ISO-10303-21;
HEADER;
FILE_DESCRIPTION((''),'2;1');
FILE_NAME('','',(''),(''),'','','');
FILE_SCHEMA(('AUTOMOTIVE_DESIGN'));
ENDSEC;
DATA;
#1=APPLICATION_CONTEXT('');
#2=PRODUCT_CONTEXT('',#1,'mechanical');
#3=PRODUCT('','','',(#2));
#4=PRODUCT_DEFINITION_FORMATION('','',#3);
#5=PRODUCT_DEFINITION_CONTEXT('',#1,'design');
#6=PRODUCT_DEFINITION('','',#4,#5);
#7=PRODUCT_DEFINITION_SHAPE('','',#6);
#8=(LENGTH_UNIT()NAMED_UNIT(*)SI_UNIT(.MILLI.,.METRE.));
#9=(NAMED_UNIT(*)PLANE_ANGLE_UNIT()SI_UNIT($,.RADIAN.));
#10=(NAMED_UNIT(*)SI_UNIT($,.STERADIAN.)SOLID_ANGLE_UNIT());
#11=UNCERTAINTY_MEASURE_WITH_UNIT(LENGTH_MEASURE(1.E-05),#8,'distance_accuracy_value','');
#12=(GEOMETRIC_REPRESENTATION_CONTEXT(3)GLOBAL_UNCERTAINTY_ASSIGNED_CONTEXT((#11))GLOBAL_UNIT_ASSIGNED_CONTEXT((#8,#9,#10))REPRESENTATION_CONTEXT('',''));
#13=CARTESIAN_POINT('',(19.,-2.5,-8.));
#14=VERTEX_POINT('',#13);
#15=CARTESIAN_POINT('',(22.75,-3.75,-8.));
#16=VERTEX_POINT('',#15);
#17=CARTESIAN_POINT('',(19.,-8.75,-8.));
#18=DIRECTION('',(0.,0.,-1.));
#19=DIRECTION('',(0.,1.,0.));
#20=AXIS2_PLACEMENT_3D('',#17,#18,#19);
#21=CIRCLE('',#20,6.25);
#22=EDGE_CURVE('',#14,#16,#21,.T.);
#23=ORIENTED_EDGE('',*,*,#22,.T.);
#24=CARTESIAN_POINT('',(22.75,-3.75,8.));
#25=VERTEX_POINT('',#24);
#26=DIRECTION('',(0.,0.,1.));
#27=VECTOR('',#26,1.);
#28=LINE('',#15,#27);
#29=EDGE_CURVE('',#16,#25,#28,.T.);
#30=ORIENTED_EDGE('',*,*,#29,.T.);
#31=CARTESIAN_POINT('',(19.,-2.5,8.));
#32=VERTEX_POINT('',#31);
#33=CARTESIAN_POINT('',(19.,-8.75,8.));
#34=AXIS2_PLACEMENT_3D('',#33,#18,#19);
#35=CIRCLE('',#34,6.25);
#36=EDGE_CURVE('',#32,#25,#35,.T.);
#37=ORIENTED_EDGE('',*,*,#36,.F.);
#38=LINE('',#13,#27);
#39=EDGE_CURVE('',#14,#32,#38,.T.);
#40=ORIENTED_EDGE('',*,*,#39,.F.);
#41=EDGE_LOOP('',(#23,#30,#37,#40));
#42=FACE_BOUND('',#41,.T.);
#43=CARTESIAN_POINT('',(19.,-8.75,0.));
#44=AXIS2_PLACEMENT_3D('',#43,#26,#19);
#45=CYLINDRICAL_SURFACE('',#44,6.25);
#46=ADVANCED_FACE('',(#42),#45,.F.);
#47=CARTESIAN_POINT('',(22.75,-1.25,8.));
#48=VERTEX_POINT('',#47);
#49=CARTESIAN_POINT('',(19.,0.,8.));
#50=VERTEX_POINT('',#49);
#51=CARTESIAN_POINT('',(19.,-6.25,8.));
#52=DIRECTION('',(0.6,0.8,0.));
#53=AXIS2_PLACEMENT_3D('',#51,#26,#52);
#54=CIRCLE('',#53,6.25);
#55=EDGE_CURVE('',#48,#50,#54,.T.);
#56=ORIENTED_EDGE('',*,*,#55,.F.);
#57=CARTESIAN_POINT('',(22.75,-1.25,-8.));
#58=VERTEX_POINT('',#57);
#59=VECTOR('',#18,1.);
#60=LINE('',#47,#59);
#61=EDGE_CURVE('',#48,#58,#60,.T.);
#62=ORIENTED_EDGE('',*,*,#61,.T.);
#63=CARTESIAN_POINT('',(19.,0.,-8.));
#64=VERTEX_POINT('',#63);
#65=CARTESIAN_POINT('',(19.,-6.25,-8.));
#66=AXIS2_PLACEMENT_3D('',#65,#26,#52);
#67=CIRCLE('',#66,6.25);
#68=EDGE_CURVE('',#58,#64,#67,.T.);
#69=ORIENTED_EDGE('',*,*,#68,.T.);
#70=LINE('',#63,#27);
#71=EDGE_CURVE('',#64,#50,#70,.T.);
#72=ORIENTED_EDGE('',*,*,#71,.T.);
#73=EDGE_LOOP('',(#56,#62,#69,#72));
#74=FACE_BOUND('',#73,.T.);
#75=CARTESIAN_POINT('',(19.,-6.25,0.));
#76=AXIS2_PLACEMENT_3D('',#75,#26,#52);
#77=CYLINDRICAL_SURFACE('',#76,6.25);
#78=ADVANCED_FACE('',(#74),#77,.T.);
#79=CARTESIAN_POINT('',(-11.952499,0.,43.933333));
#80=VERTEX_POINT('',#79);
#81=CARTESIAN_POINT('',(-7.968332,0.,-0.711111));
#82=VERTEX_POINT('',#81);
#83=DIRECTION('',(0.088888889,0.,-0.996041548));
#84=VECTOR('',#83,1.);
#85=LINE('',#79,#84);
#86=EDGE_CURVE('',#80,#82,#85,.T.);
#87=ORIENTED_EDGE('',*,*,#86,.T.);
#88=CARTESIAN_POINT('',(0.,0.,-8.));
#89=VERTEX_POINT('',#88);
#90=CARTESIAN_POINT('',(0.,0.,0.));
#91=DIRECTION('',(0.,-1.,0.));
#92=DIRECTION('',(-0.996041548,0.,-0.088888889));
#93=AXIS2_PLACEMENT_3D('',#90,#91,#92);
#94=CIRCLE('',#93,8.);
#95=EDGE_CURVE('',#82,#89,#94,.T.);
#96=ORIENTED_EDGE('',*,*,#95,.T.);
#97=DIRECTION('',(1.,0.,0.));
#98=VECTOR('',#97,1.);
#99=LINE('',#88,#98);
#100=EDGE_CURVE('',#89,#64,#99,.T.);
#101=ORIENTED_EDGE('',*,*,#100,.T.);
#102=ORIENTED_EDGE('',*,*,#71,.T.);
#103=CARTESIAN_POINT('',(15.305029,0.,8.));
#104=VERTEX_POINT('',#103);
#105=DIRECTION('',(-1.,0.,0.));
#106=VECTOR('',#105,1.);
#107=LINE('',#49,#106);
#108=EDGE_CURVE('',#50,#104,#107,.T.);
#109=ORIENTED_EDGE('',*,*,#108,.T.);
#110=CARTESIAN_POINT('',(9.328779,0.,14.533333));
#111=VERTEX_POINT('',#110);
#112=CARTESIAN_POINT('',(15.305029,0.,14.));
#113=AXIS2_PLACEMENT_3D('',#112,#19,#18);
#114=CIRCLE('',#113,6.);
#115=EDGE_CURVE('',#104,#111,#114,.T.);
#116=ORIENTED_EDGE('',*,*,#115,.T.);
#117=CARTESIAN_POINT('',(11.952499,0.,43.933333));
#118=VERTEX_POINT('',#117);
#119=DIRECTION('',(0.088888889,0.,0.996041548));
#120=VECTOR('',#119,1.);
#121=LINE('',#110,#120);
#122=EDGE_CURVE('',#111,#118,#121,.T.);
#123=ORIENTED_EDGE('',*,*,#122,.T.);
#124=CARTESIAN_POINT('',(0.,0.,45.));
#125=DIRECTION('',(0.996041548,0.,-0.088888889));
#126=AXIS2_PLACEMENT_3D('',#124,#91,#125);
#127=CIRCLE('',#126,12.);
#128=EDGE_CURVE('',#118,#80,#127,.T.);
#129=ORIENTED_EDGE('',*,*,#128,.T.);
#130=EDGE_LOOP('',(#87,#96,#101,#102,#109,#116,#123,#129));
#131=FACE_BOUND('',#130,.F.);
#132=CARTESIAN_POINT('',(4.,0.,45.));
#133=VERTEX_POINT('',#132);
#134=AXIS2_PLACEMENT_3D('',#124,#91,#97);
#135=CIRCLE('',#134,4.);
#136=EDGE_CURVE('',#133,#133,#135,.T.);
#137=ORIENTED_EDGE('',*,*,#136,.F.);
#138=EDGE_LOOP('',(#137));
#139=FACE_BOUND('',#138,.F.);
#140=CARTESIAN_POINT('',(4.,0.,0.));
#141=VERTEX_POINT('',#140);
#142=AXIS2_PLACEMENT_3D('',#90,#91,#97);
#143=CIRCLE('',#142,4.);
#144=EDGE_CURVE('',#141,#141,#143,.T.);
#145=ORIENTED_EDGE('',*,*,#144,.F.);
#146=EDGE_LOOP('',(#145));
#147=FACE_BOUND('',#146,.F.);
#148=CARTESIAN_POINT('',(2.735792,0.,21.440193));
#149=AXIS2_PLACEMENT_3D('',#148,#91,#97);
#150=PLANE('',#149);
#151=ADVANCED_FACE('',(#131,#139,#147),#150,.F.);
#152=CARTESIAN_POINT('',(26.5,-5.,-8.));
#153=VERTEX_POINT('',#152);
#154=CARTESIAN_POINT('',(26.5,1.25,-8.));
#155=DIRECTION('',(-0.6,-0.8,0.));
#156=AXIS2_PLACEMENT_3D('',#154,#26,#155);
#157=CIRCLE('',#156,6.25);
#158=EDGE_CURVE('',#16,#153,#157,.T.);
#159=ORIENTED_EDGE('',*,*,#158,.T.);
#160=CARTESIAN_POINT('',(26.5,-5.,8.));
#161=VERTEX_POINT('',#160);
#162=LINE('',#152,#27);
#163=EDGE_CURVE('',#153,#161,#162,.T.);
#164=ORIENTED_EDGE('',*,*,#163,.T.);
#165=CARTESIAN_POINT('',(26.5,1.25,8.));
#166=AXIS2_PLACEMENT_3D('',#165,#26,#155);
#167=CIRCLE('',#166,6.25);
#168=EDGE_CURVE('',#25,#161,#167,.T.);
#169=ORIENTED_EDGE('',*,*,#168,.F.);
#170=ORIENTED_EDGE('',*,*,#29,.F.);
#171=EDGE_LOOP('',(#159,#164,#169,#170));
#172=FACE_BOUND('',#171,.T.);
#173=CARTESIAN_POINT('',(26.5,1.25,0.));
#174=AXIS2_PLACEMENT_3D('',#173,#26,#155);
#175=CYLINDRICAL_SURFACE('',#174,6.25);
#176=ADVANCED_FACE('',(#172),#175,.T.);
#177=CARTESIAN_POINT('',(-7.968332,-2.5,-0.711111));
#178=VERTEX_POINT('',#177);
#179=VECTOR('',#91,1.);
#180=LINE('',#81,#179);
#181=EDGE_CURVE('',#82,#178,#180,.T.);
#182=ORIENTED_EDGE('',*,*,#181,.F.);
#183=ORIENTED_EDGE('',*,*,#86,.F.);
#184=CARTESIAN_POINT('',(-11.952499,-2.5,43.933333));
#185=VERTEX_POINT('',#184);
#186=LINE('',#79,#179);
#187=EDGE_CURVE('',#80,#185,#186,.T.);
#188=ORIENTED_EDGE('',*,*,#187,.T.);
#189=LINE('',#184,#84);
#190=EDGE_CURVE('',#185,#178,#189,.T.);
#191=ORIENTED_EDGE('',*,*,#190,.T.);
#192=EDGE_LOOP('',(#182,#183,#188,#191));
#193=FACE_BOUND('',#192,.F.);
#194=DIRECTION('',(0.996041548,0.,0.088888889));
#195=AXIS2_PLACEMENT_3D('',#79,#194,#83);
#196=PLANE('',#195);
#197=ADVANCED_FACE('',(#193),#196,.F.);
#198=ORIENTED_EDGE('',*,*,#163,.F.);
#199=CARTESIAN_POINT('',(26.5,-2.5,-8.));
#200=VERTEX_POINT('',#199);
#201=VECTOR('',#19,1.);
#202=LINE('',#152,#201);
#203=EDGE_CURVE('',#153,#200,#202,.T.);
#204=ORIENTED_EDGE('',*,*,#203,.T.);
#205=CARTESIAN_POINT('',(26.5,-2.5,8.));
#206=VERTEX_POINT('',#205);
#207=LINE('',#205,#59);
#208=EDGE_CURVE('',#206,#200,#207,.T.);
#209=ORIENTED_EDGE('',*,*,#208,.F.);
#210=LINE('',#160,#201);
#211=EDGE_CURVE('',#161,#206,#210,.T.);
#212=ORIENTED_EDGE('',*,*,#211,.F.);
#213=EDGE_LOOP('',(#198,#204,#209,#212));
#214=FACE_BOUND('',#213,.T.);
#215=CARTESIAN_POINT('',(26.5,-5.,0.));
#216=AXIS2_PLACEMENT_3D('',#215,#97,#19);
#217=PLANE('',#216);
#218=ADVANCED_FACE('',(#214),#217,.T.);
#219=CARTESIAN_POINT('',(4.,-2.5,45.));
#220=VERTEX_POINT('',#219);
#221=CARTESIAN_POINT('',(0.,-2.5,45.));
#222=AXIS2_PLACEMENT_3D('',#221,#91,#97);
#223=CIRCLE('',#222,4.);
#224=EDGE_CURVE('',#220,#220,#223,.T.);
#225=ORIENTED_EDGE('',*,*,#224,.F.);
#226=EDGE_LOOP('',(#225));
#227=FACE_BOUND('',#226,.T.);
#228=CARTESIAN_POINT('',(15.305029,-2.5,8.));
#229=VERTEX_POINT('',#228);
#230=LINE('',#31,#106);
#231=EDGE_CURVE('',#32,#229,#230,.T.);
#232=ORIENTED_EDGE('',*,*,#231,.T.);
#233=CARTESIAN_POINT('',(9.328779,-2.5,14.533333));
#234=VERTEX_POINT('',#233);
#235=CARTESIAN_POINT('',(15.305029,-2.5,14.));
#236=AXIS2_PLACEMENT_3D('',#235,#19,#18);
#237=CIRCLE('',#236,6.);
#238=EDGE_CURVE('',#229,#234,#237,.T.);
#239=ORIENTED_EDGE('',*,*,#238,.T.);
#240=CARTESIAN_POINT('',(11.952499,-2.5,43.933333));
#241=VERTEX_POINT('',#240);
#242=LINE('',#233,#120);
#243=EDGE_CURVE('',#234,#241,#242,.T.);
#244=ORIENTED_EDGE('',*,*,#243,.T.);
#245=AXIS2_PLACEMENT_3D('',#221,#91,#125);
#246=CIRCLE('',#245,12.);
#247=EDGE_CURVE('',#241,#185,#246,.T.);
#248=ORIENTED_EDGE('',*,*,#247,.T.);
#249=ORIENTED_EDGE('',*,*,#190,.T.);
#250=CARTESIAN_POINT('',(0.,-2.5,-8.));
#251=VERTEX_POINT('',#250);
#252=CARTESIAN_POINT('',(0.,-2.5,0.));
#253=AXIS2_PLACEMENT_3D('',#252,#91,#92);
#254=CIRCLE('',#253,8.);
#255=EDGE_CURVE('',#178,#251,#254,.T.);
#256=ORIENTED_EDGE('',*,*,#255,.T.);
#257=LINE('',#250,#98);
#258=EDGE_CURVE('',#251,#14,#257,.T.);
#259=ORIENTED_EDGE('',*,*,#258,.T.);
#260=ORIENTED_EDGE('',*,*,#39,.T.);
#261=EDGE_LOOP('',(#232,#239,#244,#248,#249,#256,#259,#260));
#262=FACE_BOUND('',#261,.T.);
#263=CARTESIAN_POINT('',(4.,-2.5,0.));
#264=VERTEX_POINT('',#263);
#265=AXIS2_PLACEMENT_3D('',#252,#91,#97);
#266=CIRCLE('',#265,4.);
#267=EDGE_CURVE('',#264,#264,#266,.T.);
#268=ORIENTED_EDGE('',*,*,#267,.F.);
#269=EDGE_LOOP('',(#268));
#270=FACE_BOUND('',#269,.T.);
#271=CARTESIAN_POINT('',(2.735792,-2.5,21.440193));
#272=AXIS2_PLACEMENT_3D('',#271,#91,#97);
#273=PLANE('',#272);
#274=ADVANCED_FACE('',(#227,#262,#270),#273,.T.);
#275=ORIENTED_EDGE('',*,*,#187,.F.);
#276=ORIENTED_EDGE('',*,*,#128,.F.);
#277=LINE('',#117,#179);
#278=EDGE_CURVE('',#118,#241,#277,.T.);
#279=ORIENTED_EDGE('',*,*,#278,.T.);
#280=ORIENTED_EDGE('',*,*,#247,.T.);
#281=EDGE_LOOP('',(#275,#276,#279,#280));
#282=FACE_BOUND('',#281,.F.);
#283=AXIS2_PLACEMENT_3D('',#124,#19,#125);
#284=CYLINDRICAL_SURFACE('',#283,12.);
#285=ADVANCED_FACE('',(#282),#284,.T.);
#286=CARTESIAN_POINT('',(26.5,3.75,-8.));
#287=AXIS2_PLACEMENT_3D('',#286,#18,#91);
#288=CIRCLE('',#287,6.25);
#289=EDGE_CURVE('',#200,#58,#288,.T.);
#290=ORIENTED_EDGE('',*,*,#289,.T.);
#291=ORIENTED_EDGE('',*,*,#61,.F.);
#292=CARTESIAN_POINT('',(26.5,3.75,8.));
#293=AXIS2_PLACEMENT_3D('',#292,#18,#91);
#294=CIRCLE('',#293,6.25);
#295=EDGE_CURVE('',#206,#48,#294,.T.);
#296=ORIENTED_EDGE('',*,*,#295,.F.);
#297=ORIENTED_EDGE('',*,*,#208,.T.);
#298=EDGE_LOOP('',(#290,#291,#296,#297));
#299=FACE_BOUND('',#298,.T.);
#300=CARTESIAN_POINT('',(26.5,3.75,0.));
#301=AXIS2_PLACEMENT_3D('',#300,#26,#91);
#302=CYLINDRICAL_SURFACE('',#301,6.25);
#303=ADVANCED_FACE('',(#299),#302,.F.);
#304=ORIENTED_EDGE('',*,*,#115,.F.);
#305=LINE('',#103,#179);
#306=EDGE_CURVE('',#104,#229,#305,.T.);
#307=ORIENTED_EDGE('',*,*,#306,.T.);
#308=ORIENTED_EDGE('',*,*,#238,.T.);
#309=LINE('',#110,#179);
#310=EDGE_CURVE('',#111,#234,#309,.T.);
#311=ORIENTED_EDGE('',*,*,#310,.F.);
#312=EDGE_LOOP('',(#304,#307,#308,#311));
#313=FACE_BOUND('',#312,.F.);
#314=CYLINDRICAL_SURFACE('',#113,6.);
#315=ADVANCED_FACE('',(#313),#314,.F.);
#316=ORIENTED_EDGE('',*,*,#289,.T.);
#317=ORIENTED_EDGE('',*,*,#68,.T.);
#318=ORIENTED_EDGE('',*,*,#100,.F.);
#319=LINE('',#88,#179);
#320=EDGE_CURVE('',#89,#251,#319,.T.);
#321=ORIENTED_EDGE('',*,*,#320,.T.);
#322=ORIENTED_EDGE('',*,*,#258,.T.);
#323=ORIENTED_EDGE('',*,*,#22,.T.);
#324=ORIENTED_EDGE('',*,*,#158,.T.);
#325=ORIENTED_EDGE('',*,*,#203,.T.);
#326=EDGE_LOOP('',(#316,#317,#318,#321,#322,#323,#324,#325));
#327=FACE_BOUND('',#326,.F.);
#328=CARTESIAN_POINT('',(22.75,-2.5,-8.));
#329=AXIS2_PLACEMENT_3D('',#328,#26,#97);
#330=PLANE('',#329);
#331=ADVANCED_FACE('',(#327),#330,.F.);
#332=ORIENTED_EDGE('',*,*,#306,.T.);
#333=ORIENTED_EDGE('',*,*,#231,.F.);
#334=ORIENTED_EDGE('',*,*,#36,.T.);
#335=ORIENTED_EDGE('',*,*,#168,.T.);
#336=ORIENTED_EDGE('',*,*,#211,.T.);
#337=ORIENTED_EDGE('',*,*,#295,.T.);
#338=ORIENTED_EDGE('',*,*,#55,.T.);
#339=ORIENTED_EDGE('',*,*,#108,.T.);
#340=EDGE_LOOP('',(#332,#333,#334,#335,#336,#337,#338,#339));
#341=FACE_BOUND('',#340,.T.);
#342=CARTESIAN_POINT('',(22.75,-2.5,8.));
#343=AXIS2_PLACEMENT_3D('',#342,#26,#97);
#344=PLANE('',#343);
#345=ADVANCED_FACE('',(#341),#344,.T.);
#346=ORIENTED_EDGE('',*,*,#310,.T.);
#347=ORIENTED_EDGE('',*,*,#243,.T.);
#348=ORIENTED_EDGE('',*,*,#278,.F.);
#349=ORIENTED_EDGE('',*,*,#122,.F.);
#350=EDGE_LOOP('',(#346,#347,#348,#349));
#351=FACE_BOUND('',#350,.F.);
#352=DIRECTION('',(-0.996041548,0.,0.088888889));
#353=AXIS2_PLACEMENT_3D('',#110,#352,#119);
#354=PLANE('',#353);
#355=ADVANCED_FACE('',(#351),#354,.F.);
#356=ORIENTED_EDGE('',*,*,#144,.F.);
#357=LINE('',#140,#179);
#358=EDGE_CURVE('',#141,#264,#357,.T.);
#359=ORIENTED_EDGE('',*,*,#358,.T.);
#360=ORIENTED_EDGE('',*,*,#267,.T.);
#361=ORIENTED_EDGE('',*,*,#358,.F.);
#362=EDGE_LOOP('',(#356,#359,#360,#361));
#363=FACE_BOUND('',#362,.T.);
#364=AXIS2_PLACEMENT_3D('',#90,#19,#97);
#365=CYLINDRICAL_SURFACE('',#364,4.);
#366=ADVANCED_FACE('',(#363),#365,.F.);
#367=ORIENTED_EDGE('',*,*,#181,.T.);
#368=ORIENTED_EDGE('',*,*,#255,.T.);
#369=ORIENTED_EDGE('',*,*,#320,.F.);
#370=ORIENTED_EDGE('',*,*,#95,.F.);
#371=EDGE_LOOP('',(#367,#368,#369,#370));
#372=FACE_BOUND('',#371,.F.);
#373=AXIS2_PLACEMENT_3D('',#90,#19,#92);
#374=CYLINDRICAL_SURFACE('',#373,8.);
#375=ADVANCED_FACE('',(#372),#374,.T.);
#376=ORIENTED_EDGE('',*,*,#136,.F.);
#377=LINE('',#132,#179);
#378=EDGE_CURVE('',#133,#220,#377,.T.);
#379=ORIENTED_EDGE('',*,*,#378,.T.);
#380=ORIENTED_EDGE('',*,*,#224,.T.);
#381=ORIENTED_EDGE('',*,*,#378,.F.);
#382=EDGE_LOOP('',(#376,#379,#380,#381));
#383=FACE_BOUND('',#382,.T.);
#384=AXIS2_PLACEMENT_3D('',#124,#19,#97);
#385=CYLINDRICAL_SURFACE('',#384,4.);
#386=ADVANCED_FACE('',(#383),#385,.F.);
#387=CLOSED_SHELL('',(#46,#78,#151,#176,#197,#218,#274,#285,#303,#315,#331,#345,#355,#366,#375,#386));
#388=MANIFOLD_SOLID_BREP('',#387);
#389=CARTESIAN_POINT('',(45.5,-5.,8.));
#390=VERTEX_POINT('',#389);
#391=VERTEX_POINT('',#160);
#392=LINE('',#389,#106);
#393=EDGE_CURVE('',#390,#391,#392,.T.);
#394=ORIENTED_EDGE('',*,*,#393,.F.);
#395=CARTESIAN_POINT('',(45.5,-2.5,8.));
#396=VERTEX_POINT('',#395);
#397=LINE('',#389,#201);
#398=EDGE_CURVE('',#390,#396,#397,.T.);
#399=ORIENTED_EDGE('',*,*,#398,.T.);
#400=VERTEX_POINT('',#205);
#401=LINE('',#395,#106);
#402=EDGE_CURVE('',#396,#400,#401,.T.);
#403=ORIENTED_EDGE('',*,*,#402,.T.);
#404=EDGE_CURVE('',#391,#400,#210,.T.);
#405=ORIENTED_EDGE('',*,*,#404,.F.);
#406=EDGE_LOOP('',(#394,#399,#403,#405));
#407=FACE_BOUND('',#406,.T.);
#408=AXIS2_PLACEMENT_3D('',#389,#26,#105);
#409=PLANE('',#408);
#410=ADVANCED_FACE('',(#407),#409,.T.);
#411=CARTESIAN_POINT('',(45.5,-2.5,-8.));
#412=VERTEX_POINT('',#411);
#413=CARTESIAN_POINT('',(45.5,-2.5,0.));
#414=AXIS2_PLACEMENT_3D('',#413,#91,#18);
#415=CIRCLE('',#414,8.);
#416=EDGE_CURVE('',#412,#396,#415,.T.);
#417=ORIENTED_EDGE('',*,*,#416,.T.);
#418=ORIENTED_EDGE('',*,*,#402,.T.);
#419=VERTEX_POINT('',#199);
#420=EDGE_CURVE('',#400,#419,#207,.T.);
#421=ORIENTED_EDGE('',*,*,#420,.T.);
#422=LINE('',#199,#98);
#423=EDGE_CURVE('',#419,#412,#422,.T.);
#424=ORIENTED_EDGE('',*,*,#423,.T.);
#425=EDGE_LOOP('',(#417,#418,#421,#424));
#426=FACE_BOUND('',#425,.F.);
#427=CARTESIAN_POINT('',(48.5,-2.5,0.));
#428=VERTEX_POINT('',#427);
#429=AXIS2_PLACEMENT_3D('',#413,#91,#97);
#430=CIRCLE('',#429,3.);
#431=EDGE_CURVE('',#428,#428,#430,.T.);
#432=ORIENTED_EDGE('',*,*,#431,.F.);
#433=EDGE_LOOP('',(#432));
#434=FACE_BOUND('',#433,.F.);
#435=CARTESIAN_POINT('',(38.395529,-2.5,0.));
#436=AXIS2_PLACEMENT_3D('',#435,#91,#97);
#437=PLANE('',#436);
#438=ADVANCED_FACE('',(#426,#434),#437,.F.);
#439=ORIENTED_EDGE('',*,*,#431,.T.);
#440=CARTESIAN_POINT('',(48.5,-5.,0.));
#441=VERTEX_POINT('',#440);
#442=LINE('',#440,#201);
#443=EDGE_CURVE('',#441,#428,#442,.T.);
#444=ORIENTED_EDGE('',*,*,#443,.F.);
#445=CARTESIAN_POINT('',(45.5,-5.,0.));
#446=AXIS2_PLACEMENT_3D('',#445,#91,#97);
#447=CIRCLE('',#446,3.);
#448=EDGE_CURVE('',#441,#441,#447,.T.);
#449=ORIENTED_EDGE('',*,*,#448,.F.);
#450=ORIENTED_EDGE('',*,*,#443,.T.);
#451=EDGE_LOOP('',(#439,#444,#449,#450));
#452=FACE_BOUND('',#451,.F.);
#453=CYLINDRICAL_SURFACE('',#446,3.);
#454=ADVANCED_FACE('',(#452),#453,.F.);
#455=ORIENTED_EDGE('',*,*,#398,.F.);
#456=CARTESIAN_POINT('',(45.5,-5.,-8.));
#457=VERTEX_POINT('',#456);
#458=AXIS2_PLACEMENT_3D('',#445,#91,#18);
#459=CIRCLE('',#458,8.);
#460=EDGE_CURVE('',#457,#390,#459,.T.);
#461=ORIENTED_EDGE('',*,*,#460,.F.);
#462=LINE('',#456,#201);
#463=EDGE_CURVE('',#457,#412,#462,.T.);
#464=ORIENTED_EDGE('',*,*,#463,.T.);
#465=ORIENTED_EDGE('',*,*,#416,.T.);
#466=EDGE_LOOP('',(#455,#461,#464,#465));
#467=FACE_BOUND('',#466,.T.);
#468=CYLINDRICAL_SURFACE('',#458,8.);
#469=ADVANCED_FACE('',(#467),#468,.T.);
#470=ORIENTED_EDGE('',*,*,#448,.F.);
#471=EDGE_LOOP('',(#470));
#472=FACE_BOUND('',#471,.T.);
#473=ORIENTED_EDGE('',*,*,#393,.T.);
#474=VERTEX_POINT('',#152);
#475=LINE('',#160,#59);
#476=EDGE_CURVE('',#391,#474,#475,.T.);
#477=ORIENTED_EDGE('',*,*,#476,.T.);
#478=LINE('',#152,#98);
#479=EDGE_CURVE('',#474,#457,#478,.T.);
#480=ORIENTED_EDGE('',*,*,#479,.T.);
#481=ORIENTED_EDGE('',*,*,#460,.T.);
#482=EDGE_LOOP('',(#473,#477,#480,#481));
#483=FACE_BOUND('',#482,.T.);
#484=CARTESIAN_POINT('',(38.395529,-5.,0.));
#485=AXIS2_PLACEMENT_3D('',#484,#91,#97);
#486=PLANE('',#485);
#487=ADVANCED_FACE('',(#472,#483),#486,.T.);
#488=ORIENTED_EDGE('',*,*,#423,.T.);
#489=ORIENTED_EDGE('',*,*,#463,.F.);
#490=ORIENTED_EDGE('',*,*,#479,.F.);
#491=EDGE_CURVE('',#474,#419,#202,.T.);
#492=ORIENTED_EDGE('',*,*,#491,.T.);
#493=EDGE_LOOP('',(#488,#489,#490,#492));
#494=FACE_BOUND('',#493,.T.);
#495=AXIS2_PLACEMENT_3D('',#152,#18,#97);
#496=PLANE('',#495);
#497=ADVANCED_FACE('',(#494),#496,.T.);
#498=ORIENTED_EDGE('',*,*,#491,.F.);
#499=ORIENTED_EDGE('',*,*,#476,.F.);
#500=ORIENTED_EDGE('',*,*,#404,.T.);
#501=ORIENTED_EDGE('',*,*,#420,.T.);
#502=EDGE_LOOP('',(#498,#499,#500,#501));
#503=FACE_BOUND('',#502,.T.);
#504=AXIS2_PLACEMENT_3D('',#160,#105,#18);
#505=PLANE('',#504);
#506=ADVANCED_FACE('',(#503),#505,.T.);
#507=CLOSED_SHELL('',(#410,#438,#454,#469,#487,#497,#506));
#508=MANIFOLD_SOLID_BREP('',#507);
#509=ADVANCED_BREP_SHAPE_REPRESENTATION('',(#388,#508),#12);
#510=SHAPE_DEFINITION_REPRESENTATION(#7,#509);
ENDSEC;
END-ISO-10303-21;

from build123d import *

# Parameters (mm, degrees)
F0_R     = 4
F1_DEPTH = 2.5
F3_DEPTH = 8
F5_R     = 3
F6_DEPTH = 2.5


with BuildPart() as f1:
    # F0 (on Front) → F1 (new body)
    with BuildSketch(Plane.XZ):
        with BuildLine():
            ThreePointArc((-7.9683323844, -0.7111111111), (-5.3995884617, -5.902918299), (0, -8))
            Line((0, -8), (19, -8))
            Line((19, -8), (19, 8))
            Line((19, 8), (15.3050286651, 8))
            ThreePointArc((15.3050286651, 8), (10.8778399408, 9.9503086537), (9.3287793768, 14.5333333333))
            Line((9.3287793768, 14.5333333333), (11.9524985765, 43.9333333333))
            ThreePointArc((11.9524985765, 43.9333333333), (0, 57), (-11.9524985765, 43.9333333333))
            Line((-11.9524985765, 43.9333333333), (-7.9683323844, -0.7111111111))
        make_face()
        Circle(F0_R, mode=Mode.SUBTRACT)
        with Locations((0, 45)):
            Circle(F0_R, mode=Mode.SUBTRACT)
    extrude(amount=F1_DEPTH)

    # F2 (on Top) → F3 (join, symmetric)
    with BuildSketch(Plane.XY):
        with BuildLine():
            Line((19, 0), (19, -2.5))
            ThreePointArc((19, -2.5), (20.9764235376, -2.8207293872), (22.75, -3.75))
            ThreePointArc((22.75, -3.75), (24.5235764624, -4.6792706128), (26.5, -5))
            Line((26.5, -5), (26.5, -2.5))
            ThreePointArc((26.5, -2.5), (24.5235764624, -2.1792706128), (22.75, -1.25))
            ThreePointArc((22.75, -1.25), (20.9764235376, -0.3207293872), (19, 0))
        make_face()
    extrude(amount=F3_DEPTH, both=True)


with BuildPart() as f6:
    # F5 (on offset) → F6 (new body)
    with BuildSketch(Plane.XZ.offset(5)):
        with BuildLine():
            Line((45.5, 8), (26.5, 8))
            Line((26.5, 8), (26.5, -8))
            Line((26.5, -8), (45.5, -8))
            ThreePointArc((45.5, -8), (53.5, 0), (45.5, 8))
        make_face()
        with Locations((45.5, 0)):
            Circle(F5_R, mode=Mode.SUBTRACT)
    extrude(amount=-F6_DEPTH)


solid = Compound([f1.part, f6.part])
